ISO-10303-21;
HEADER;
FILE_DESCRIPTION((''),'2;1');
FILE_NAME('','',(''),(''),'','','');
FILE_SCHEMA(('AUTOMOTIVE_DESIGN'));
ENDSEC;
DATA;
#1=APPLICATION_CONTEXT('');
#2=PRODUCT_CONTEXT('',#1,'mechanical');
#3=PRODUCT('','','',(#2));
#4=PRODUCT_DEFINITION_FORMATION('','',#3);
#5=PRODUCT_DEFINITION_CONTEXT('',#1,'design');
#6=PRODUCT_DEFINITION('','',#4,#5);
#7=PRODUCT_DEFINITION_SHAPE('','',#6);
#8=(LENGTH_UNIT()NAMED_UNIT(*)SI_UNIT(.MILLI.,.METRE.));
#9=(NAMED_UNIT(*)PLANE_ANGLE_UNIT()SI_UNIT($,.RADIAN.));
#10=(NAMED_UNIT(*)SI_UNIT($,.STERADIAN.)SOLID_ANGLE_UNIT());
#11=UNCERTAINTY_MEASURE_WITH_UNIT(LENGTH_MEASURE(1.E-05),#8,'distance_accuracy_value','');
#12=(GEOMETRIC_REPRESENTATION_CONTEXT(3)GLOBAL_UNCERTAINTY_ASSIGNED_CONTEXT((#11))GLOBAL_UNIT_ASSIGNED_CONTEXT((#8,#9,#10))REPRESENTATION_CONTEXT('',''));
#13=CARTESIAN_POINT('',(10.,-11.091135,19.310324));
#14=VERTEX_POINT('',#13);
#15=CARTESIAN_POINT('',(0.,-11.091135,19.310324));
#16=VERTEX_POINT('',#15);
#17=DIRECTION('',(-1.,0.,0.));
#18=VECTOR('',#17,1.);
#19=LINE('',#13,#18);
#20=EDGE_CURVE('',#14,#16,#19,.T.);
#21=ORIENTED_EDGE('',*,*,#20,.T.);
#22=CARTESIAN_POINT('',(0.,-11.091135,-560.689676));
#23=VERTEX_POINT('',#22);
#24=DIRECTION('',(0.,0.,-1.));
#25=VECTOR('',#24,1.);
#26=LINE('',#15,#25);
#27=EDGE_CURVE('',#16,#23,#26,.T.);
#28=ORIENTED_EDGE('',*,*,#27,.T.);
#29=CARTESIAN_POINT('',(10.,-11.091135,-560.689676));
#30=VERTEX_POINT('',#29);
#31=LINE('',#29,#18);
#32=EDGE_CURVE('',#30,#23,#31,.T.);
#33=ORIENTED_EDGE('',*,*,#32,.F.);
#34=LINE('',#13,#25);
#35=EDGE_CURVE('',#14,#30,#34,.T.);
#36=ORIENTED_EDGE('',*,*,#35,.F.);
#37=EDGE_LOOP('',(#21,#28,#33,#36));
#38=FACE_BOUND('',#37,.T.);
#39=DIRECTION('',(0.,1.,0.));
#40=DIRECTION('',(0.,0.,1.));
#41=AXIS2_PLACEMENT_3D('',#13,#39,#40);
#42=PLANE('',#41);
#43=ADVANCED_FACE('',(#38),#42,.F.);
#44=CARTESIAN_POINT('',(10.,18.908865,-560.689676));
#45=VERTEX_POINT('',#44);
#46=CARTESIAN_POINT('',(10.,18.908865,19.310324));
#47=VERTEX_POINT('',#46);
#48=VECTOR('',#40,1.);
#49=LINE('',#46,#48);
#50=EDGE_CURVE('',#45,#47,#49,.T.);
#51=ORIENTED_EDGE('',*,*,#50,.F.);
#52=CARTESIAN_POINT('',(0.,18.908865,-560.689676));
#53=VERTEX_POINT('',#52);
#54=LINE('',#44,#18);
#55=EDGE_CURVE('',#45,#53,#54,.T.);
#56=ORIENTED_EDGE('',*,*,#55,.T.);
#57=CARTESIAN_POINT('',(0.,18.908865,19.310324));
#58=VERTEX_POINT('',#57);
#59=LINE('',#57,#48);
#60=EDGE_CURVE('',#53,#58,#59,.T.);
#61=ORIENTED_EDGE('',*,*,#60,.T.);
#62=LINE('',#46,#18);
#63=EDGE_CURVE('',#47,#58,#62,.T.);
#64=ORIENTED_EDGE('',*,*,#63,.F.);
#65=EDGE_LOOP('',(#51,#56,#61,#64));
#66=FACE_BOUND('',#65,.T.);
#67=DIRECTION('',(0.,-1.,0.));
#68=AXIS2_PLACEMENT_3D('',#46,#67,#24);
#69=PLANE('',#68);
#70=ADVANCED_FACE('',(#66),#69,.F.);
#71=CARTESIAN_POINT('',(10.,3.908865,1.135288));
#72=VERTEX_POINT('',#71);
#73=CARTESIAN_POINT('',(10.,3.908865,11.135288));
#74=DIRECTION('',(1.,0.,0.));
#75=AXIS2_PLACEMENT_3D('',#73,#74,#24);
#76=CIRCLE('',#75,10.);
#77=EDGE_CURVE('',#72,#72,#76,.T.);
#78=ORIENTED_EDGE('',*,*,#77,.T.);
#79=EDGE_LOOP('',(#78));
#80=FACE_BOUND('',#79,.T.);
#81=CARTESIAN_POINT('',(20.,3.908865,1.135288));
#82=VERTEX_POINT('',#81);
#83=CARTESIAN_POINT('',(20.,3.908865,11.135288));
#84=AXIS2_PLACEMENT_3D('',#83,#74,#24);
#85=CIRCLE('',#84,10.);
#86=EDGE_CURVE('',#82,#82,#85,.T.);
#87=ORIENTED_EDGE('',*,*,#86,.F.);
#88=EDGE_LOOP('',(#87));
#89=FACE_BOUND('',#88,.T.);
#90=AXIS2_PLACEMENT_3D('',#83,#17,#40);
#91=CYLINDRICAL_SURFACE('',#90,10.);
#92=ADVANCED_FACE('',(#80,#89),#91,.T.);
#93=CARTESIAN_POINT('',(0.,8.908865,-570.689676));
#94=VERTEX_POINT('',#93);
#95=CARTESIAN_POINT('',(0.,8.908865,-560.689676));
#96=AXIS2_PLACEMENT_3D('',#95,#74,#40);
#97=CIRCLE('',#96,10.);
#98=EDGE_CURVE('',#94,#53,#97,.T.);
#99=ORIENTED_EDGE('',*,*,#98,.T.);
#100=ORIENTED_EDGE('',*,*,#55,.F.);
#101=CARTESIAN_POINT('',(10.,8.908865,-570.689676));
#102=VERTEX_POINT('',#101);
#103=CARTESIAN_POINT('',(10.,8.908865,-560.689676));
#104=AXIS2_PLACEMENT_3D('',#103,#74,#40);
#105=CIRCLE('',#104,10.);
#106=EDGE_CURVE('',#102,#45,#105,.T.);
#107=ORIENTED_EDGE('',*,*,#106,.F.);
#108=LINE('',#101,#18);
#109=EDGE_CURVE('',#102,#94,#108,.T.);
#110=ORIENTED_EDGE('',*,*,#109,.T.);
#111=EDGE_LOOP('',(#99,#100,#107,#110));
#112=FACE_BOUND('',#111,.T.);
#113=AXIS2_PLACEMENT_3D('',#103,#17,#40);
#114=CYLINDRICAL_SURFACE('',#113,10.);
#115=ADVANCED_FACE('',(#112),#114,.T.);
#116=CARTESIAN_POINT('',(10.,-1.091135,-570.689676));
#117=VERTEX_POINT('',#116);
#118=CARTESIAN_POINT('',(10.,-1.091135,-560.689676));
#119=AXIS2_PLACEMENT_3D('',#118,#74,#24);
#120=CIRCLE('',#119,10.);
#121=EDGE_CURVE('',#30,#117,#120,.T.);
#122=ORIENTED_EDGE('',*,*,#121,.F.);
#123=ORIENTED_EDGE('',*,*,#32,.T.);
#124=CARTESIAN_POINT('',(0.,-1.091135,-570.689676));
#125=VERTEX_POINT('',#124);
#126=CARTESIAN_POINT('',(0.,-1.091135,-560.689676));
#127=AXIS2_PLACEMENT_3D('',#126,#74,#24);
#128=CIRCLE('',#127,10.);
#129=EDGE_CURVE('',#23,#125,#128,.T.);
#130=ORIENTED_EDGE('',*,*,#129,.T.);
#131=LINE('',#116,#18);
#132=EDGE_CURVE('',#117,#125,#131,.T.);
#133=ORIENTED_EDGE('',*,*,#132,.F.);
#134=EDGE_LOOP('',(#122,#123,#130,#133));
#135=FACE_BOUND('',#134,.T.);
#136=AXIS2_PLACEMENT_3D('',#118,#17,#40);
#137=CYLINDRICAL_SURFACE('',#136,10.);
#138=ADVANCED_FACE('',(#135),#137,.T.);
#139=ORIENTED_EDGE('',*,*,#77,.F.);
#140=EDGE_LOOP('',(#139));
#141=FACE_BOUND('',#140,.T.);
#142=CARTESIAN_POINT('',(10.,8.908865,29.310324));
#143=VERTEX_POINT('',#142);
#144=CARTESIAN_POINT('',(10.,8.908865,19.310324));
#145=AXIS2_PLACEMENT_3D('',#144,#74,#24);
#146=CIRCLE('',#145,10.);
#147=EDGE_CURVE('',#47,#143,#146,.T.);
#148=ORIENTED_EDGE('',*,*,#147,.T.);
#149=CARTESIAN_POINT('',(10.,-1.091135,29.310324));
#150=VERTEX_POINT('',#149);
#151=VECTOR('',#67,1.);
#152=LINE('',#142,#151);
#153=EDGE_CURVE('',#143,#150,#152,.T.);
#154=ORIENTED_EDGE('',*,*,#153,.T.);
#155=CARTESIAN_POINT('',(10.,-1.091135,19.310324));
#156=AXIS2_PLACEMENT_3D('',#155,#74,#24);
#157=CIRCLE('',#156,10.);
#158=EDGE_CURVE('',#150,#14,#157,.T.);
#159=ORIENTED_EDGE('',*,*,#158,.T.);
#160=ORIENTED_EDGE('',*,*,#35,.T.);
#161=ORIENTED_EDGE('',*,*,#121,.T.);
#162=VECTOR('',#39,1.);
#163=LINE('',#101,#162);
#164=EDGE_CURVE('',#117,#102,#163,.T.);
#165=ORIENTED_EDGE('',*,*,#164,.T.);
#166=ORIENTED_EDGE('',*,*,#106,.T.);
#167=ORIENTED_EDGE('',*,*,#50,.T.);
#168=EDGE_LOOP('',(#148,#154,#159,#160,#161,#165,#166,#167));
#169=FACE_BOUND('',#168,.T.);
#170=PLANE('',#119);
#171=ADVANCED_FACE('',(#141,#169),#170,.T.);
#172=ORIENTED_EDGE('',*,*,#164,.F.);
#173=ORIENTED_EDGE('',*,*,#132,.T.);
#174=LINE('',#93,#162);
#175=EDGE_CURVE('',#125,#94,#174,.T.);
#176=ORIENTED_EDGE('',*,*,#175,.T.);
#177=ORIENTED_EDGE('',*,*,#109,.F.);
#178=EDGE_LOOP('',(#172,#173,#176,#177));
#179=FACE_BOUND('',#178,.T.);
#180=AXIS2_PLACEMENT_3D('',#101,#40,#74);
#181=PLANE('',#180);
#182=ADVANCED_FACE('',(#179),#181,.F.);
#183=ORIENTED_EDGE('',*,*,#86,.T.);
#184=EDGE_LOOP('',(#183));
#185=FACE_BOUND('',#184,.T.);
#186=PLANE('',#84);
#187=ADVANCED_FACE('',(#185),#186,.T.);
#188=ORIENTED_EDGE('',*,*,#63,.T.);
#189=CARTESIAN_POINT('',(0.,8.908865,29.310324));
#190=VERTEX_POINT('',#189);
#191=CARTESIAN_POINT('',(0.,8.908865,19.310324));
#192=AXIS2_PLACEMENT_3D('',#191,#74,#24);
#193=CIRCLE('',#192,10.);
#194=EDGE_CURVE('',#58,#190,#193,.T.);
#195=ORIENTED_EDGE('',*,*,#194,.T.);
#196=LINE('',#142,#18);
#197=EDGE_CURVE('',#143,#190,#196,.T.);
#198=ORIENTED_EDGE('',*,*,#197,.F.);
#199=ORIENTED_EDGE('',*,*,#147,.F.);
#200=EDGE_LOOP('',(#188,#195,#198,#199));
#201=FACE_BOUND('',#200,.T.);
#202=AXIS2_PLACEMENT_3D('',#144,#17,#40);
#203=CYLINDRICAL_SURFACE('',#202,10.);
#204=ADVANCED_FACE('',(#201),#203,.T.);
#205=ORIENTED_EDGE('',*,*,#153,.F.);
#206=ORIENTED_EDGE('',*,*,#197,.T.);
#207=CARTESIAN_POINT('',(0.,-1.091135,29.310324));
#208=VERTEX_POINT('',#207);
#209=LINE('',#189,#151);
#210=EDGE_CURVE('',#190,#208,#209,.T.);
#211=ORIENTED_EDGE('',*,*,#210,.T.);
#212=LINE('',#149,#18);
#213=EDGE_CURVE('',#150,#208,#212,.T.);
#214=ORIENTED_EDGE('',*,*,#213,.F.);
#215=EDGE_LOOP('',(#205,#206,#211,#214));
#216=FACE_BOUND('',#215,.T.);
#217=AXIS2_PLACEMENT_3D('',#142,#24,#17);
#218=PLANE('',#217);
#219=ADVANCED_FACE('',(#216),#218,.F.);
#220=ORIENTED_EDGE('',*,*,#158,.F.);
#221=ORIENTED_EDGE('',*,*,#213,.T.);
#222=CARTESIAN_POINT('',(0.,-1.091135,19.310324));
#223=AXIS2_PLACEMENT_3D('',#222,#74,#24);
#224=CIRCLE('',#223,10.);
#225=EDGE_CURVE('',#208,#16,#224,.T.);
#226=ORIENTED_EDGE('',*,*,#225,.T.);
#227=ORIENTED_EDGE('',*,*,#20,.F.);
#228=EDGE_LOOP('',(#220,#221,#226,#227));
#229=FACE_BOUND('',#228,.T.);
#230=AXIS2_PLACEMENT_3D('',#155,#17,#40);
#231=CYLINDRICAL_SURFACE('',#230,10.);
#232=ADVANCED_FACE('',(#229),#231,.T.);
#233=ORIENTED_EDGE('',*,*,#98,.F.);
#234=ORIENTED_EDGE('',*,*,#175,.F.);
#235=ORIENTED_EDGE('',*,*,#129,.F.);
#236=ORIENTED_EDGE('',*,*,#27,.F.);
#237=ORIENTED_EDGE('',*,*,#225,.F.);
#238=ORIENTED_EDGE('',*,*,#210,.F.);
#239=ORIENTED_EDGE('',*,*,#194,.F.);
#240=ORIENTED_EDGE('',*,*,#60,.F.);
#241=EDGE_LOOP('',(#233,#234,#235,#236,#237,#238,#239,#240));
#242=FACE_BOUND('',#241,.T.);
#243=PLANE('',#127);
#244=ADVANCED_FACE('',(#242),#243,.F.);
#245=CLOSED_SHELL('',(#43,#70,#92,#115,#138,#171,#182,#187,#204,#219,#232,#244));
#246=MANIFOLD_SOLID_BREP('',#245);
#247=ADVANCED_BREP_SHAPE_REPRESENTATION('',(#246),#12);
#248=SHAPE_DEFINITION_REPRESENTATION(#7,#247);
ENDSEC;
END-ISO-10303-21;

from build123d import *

# Parameters (mm, degrees)
BOSS_EXTRUDE1_DEPTH = 10
SKETCH2_R           = 10
BOSS_EXTRUDE2_DEPTH = 10


with BuildPart() as part:
    # Sketch1 → Boss-Extrude1 (new body)
    with BuildSketch(Plane(origin=(0, 0, 0), x_dir=(0, 0, -1), z_dir=(1, 0, 0))):
        with BuildLine():
            Line((-19.310323675, 18.90886515), (560.689676325, 18.90886515))
            ThreePointArc((560.689676325, 18.90886515), (567.760744137, 15.979932962), (570.689676325, 8.90886515))
            Line((570.689676325, 8.90886515), (570.689676325, -1.09113485))
            ThreePointArc((570.689676325, -1.09113485), (567.760744137, -8.162202662), (560.689676325, -11.09113485))
            Line((560.689676325, -11.09113485), (-19.310323675, -11.09113485))
            ThreePointArc((-19.310323675, -11.09113485), (-26.381391487, -8.162202662), (-29.310323675, -1.09113485))
            Line((-29.310323675, -1.09113485), (-29.310323675, 8.90886515))
            ThreePointArc((-29.310323675, 8.90886515), (-26.381391487, 15.979932962), (-19.310323675, 18.90886515))
        make_face()
    extrude(amount=BOSS_EXTRUDE1_DEPTH)

    # Sketch2 → Boss-Extrude2 (add)
    with BuildSketch(Plane(origin=(10, 0, 0), x_dir=(0, 0, -1), z_dir=(1, 0, 0))):
        with Locations((-11.135288293, 3.90886515)):
            Circle(SKETCH2_R)
    extrude(amount=BOSS_EXTRUDE2_DEPTH)


solid = part.part
